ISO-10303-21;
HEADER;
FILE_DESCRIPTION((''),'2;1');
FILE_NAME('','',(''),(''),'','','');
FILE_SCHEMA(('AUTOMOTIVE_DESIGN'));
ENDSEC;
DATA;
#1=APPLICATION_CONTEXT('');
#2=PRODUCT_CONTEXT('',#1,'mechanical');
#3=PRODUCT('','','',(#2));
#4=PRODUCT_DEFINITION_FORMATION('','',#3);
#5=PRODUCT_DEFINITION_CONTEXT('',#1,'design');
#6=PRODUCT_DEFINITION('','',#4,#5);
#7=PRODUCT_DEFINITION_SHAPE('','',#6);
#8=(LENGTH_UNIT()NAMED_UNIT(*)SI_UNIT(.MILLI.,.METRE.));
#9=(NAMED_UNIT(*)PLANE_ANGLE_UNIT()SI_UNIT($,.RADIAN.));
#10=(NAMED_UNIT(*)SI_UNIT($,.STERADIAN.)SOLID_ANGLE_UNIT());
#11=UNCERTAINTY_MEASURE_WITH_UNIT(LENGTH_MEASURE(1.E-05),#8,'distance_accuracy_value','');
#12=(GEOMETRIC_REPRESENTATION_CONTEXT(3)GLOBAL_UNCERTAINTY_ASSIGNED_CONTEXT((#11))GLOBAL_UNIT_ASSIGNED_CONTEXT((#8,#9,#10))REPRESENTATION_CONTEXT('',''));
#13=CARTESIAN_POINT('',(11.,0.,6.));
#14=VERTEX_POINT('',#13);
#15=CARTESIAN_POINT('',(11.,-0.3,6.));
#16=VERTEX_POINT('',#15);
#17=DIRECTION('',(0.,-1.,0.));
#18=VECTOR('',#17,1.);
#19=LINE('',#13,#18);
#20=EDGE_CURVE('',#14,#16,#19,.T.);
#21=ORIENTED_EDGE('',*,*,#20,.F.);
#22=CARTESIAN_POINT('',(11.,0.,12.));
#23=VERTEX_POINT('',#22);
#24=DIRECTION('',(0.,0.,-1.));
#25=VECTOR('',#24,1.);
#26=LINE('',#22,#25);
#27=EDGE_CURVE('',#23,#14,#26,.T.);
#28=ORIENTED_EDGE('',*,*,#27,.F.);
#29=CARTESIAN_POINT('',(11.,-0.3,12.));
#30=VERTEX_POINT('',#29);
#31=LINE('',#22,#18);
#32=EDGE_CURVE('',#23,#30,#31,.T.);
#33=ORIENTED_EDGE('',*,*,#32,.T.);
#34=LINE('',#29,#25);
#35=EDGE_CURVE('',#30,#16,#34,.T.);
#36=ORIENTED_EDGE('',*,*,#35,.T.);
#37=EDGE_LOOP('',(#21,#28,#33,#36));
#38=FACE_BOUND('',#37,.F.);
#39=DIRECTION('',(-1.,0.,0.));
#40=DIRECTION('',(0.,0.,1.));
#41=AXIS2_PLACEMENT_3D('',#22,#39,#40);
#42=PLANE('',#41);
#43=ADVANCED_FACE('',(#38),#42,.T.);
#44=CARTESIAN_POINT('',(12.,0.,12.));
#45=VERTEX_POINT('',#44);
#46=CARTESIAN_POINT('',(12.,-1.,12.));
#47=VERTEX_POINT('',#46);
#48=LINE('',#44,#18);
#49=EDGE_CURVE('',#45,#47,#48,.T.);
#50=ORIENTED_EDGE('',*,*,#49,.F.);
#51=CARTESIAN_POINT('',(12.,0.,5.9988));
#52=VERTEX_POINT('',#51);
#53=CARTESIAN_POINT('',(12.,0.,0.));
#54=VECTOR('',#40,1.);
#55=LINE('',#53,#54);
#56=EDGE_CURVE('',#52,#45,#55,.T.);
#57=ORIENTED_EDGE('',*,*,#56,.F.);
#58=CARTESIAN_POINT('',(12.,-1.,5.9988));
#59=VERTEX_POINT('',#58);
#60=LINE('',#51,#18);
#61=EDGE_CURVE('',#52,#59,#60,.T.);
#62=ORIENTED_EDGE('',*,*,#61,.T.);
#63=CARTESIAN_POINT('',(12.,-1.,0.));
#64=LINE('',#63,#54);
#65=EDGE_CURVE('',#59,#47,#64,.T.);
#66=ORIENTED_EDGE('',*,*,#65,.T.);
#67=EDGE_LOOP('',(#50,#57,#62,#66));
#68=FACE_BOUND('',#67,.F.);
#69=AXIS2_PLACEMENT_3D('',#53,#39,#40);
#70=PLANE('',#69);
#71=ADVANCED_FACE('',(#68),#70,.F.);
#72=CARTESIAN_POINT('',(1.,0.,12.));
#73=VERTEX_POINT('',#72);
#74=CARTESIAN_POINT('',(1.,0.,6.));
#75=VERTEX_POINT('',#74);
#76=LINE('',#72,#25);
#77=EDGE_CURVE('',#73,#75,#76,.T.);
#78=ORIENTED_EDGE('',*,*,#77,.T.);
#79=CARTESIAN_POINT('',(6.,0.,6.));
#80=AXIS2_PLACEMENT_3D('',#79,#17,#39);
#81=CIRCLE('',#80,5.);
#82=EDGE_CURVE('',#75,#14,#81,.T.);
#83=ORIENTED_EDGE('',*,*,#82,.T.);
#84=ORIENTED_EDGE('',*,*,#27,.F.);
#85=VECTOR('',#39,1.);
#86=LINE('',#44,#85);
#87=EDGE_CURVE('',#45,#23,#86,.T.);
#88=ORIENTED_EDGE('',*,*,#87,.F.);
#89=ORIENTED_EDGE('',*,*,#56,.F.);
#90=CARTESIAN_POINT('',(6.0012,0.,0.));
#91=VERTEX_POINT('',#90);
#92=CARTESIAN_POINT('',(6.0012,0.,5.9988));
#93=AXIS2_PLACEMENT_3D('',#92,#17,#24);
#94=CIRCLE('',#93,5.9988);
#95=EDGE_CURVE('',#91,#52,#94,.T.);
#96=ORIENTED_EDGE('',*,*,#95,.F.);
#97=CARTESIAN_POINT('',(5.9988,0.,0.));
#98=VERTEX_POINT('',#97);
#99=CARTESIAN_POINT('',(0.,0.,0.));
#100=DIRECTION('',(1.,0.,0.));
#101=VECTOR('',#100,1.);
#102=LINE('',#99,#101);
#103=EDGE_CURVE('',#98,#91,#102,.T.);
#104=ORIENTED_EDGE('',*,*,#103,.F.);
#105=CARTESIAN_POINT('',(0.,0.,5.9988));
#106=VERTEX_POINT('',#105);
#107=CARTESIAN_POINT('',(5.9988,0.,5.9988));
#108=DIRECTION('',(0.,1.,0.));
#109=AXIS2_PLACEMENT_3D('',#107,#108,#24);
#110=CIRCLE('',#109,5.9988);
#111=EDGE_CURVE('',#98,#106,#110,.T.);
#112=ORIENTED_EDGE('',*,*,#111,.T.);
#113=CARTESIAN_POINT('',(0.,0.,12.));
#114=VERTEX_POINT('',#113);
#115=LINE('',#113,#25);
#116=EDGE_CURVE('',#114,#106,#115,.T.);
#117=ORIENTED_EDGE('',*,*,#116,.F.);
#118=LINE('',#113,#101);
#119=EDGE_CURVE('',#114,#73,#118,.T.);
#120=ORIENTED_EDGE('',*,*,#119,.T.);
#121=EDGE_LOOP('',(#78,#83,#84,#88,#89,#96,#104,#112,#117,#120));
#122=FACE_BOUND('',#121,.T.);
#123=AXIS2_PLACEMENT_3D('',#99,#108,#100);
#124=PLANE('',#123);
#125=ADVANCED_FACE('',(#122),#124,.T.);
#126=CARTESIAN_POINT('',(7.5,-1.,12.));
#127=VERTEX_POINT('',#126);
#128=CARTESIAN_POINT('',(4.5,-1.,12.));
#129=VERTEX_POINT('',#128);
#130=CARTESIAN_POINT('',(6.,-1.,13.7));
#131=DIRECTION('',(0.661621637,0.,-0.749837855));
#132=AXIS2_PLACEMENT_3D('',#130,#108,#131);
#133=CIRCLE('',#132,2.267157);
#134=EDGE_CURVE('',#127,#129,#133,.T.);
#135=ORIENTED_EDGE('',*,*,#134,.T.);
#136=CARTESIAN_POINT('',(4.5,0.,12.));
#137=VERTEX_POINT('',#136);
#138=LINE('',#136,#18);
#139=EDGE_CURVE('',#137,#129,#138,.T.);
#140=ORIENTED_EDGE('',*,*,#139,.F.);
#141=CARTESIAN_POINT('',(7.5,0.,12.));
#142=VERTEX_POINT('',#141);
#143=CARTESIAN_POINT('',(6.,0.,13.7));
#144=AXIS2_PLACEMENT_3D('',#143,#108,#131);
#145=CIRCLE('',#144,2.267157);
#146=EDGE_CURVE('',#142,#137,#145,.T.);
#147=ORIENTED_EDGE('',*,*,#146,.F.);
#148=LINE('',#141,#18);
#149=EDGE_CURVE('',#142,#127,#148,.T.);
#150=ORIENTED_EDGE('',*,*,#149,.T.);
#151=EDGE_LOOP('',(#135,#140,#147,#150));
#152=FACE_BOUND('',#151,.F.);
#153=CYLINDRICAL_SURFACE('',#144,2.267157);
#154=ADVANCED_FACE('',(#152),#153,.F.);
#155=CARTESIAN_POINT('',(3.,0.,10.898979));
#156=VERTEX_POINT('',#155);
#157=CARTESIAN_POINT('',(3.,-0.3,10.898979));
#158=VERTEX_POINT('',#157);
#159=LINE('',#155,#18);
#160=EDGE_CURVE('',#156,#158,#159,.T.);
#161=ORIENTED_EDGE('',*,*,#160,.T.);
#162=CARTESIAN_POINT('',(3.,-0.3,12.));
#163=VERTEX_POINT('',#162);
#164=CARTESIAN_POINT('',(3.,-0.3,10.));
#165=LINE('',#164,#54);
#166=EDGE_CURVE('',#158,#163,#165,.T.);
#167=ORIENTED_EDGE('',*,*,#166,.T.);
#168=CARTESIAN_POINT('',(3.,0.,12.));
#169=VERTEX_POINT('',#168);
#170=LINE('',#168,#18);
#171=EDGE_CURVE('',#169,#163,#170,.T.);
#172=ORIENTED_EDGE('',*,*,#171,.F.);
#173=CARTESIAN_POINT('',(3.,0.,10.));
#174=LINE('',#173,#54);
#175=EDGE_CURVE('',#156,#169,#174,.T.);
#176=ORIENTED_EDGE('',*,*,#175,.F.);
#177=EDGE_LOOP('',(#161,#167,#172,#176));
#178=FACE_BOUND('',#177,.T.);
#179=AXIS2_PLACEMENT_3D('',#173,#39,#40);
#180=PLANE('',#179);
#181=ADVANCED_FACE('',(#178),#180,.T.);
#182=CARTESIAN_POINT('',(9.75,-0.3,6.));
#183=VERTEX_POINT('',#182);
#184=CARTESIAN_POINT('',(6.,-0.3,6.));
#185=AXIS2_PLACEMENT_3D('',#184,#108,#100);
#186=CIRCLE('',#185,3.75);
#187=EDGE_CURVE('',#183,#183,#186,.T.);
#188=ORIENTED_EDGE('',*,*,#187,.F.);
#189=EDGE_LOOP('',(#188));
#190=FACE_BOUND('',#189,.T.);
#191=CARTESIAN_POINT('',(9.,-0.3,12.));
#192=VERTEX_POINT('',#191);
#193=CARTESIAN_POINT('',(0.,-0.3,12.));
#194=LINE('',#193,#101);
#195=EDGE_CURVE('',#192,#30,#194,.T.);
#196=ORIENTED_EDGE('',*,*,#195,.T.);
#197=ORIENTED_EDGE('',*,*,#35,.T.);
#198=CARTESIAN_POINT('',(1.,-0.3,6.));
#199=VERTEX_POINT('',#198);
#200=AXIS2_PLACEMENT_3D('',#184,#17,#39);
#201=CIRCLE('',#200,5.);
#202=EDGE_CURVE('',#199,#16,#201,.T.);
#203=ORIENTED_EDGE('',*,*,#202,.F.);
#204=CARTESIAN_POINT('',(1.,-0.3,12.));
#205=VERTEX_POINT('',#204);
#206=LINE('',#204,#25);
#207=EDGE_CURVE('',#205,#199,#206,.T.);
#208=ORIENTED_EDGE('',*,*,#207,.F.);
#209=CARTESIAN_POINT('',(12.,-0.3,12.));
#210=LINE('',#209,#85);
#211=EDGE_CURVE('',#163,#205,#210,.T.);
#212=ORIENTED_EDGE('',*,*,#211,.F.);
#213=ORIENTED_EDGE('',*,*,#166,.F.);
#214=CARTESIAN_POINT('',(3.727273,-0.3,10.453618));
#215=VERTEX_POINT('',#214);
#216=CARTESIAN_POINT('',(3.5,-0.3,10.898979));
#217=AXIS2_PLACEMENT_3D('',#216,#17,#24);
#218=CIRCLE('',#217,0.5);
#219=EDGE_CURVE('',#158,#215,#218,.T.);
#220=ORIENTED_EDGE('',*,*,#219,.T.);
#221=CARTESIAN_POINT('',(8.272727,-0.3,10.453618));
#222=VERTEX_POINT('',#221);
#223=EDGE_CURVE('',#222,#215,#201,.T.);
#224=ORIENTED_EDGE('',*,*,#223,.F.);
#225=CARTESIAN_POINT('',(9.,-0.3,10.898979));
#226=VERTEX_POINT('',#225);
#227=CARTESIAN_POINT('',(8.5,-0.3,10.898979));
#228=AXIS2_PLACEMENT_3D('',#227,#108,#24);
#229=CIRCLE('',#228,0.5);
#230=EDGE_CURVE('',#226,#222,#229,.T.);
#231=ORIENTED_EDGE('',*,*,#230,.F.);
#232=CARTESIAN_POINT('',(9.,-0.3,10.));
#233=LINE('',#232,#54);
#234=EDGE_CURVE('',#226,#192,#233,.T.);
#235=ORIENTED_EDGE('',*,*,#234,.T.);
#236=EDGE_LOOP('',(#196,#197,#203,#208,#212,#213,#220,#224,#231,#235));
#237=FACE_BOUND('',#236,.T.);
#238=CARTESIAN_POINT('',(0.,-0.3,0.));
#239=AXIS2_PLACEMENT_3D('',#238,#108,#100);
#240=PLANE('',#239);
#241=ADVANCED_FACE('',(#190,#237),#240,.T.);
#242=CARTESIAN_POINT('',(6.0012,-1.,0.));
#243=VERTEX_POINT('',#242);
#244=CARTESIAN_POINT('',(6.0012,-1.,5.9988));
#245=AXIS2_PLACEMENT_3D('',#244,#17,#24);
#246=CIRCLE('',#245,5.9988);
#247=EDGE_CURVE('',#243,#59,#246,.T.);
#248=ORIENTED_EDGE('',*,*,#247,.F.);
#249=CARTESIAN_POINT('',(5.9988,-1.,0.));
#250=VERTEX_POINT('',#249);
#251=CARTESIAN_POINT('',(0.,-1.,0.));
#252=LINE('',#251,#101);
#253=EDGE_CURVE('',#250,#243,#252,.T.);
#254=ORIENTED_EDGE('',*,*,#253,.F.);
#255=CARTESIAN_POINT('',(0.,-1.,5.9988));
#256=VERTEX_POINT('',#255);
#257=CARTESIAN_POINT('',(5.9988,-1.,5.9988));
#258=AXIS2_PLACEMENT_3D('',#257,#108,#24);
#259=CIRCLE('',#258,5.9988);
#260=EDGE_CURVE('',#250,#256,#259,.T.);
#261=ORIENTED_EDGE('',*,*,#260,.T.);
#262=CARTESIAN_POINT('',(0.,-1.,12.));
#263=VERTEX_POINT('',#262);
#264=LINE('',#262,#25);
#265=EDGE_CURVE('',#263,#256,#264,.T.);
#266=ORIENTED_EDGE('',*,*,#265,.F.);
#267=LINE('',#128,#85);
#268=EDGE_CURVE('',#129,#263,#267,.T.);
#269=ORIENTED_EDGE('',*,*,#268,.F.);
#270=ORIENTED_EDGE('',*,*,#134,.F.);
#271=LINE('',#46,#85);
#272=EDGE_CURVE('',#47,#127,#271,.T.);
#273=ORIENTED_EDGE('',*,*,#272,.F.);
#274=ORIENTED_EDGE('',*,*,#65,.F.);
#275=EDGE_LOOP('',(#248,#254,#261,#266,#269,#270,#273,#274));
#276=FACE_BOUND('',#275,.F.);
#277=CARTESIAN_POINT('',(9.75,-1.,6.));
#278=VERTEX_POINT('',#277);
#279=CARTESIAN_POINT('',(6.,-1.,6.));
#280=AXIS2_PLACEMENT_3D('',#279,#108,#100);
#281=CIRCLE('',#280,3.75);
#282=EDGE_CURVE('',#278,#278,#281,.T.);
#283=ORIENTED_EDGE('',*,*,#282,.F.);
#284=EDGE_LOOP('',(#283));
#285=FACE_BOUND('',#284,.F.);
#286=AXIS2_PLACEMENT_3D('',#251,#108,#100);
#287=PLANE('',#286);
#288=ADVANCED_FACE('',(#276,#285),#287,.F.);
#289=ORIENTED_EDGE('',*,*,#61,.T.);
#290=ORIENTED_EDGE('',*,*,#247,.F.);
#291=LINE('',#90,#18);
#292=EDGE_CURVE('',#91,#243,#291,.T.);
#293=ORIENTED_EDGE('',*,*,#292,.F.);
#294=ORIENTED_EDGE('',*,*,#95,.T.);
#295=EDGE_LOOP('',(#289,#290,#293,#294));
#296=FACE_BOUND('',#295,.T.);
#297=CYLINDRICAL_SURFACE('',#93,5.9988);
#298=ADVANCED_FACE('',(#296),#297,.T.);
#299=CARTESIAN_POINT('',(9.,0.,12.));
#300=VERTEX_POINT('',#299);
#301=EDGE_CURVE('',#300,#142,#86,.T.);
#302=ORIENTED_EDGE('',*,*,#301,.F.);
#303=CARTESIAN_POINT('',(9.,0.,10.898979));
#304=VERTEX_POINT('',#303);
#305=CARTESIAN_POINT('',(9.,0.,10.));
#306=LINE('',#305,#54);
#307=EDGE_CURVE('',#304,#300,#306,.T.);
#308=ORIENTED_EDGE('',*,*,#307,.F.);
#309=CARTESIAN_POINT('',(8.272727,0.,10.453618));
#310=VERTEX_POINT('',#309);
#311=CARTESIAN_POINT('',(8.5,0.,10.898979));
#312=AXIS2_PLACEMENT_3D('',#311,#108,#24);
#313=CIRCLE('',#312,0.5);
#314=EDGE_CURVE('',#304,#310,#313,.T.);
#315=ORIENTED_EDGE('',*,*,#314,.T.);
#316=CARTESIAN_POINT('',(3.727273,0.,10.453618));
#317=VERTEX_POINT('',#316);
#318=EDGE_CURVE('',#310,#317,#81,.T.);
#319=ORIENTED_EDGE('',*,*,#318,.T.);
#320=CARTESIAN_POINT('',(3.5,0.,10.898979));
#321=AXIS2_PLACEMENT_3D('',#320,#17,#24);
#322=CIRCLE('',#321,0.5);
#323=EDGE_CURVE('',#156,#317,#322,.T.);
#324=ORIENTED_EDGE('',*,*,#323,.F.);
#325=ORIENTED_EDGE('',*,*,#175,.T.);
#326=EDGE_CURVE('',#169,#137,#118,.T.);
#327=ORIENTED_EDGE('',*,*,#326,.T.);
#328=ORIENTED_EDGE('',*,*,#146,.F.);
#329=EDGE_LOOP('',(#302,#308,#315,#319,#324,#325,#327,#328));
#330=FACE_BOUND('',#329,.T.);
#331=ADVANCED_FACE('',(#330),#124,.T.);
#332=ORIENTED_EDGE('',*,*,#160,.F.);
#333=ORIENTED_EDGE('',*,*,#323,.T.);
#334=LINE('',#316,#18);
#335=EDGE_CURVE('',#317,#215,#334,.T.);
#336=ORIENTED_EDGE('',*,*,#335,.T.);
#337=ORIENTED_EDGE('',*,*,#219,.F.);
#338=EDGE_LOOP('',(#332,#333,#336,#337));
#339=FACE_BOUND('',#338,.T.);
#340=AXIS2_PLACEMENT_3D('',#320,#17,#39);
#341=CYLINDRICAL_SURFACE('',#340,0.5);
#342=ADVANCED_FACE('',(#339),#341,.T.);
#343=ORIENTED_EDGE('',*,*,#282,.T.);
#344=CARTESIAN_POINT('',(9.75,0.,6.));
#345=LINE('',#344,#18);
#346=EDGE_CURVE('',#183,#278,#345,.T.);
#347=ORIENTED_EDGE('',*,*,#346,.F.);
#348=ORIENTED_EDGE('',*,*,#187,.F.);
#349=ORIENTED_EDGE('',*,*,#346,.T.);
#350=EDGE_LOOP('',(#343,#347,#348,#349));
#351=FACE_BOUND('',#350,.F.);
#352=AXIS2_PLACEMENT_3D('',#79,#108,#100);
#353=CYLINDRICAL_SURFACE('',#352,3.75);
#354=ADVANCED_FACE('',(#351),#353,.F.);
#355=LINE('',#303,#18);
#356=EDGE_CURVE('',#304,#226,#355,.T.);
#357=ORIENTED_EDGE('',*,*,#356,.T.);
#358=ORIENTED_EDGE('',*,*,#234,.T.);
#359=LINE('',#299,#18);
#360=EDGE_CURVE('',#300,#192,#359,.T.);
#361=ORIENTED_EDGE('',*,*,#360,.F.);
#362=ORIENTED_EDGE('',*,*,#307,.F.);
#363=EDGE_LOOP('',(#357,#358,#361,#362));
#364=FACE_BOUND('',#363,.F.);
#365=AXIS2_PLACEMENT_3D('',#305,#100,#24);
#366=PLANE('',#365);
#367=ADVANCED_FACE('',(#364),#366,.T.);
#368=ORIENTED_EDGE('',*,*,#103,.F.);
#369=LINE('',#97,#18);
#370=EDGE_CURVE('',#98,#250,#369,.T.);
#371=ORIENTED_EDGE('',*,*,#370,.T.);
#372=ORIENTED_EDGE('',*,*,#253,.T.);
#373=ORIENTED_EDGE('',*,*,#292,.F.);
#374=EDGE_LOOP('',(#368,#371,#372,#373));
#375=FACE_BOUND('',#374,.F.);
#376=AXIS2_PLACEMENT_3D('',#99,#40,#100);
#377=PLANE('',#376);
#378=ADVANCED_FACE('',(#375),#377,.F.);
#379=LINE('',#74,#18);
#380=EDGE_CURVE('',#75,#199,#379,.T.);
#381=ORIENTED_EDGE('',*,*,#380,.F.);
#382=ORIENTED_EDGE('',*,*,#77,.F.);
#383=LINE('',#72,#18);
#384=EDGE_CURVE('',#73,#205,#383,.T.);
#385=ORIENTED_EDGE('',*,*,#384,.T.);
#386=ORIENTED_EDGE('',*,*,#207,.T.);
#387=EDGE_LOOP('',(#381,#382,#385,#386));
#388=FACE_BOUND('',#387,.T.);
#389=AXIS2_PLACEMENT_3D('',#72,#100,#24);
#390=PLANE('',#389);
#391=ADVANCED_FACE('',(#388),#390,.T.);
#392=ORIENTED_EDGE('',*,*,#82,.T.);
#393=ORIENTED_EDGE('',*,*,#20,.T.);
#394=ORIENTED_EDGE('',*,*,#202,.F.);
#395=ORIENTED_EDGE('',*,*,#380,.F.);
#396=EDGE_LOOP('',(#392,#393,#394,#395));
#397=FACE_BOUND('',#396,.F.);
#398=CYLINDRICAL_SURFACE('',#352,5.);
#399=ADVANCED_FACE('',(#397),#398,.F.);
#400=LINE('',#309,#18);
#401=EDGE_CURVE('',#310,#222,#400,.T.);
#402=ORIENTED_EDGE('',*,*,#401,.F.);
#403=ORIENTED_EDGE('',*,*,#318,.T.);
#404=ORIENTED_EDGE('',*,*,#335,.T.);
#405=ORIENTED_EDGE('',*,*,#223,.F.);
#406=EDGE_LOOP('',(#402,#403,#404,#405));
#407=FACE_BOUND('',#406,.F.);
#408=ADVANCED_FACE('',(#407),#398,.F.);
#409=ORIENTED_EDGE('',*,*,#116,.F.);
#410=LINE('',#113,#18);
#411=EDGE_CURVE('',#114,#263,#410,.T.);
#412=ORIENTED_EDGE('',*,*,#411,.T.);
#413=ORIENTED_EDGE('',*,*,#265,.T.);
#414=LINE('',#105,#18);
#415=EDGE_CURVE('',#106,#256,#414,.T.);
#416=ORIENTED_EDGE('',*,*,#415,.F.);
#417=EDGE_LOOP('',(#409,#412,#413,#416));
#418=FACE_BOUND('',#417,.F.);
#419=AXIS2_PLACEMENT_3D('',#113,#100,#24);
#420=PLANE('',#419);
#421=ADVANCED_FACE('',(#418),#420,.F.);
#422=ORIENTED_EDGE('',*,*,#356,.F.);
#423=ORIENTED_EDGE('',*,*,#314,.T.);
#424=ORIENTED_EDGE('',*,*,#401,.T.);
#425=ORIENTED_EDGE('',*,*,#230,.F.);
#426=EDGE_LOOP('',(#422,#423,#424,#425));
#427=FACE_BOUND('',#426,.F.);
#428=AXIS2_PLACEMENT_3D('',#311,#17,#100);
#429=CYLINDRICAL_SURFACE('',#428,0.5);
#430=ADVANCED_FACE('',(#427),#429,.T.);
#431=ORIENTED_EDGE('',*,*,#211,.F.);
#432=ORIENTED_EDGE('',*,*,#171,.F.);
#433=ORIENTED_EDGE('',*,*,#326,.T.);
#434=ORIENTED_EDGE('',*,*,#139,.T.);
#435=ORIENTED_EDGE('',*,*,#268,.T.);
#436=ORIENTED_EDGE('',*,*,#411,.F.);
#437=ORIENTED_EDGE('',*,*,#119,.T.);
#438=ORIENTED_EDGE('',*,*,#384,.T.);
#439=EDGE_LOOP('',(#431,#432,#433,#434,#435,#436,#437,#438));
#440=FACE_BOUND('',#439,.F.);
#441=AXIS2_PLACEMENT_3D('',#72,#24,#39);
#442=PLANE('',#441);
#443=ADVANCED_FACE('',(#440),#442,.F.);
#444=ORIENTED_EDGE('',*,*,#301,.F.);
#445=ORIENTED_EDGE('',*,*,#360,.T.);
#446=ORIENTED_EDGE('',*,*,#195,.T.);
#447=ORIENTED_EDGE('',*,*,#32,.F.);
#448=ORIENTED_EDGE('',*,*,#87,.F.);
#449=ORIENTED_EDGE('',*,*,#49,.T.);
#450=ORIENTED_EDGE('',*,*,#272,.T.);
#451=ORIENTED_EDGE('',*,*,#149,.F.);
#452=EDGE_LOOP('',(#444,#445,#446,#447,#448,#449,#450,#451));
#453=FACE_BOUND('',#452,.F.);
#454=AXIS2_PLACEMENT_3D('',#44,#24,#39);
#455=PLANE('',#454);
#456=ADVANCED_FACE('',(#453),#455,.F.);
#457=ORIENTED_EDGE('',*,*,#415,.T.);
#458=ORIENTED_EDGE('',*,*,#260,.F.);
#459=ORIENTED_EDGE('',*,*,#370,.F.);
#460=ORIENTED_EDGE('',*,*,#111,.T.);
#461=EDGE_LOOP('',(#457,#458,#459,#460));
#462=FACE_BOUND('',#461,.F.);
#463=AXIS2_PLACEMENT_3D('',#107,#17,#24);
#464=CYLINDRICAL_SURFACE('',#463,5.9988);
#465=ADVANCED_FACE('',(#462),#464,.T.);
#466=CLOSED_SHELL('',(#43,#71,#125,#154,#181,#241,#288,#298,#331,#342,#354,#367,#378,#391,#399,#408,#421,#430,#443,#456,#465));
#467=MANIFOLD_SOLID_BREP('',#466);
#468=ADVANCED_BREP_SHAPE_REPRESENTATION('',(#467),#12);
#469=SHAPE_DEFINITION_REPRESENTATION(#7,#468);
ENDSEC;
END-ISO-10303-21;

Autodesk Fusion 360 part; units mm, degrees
sketch "Sketch1" plane through (0, 0, 0) normal (0, 1, 0) x (1, 0, 0)
  line L0 (0, 0) -> (12, 0)
  line L1 (12, 0) -> (12, -12)
  line L2 (12, -12) -> (0, -12)
  line L3 (0, -12) -> (0, 0)
  circle A0 centre (6, -6) radius 3.75
  line L4 (6, 0) -> (6, -12) construction
  circle A1 centre (6, -6) radius 5
  line L5 (2, -12) -> (2, -9) construction
  line L6 (1, -12) -> (1, -6)
  line L7 (3, -10) -> (3, -12)
  arc A2 (7.5, -12) -> (4.5, -12) centre (6, -13.7) ccw
  dimension "d1" = 12
  dimension "d2" = 12
  dimension "d3" = 7.5
  dimension "d4" = 10
  dimension "d5" = 4
  dimension "d6" = 2
  dimension "d16" = 3
  dimension "d17" = 1.7
extrude "Extrude1" add sketch "Sketch1" against normal blind 1 contours L0 L1 L2 L3 A1 L6 L7 A2 | L2 A1 L6 L7 | A1
extrude "Extrude2" cut sketch "Sketch1" against normal blind 0.3 contours A1
extrude "Extrude3" cut sketch "Sketch1" against normal blind 0.3 contours L2 A1 L6 L7
ref_plane "WorkPlane1" through (6, -0.5, 6) normal (1, 0, 0) x (0, 0, 1)
mirror "Mirror1" about plane through (6, -0.5, 6) normal (1, 0, 0) of "Extrude3"
fillet "Fillet1" radius 6 2 edges at (0, -0.5, 0) (12, -0.5, 0)
fillet "Fillet2" radius 0.5 2 edges at (3, -0.15, 10) (9, -0.15, 10)
equation "d3 = ( 3.75 * 2 ) * 1 mm"
